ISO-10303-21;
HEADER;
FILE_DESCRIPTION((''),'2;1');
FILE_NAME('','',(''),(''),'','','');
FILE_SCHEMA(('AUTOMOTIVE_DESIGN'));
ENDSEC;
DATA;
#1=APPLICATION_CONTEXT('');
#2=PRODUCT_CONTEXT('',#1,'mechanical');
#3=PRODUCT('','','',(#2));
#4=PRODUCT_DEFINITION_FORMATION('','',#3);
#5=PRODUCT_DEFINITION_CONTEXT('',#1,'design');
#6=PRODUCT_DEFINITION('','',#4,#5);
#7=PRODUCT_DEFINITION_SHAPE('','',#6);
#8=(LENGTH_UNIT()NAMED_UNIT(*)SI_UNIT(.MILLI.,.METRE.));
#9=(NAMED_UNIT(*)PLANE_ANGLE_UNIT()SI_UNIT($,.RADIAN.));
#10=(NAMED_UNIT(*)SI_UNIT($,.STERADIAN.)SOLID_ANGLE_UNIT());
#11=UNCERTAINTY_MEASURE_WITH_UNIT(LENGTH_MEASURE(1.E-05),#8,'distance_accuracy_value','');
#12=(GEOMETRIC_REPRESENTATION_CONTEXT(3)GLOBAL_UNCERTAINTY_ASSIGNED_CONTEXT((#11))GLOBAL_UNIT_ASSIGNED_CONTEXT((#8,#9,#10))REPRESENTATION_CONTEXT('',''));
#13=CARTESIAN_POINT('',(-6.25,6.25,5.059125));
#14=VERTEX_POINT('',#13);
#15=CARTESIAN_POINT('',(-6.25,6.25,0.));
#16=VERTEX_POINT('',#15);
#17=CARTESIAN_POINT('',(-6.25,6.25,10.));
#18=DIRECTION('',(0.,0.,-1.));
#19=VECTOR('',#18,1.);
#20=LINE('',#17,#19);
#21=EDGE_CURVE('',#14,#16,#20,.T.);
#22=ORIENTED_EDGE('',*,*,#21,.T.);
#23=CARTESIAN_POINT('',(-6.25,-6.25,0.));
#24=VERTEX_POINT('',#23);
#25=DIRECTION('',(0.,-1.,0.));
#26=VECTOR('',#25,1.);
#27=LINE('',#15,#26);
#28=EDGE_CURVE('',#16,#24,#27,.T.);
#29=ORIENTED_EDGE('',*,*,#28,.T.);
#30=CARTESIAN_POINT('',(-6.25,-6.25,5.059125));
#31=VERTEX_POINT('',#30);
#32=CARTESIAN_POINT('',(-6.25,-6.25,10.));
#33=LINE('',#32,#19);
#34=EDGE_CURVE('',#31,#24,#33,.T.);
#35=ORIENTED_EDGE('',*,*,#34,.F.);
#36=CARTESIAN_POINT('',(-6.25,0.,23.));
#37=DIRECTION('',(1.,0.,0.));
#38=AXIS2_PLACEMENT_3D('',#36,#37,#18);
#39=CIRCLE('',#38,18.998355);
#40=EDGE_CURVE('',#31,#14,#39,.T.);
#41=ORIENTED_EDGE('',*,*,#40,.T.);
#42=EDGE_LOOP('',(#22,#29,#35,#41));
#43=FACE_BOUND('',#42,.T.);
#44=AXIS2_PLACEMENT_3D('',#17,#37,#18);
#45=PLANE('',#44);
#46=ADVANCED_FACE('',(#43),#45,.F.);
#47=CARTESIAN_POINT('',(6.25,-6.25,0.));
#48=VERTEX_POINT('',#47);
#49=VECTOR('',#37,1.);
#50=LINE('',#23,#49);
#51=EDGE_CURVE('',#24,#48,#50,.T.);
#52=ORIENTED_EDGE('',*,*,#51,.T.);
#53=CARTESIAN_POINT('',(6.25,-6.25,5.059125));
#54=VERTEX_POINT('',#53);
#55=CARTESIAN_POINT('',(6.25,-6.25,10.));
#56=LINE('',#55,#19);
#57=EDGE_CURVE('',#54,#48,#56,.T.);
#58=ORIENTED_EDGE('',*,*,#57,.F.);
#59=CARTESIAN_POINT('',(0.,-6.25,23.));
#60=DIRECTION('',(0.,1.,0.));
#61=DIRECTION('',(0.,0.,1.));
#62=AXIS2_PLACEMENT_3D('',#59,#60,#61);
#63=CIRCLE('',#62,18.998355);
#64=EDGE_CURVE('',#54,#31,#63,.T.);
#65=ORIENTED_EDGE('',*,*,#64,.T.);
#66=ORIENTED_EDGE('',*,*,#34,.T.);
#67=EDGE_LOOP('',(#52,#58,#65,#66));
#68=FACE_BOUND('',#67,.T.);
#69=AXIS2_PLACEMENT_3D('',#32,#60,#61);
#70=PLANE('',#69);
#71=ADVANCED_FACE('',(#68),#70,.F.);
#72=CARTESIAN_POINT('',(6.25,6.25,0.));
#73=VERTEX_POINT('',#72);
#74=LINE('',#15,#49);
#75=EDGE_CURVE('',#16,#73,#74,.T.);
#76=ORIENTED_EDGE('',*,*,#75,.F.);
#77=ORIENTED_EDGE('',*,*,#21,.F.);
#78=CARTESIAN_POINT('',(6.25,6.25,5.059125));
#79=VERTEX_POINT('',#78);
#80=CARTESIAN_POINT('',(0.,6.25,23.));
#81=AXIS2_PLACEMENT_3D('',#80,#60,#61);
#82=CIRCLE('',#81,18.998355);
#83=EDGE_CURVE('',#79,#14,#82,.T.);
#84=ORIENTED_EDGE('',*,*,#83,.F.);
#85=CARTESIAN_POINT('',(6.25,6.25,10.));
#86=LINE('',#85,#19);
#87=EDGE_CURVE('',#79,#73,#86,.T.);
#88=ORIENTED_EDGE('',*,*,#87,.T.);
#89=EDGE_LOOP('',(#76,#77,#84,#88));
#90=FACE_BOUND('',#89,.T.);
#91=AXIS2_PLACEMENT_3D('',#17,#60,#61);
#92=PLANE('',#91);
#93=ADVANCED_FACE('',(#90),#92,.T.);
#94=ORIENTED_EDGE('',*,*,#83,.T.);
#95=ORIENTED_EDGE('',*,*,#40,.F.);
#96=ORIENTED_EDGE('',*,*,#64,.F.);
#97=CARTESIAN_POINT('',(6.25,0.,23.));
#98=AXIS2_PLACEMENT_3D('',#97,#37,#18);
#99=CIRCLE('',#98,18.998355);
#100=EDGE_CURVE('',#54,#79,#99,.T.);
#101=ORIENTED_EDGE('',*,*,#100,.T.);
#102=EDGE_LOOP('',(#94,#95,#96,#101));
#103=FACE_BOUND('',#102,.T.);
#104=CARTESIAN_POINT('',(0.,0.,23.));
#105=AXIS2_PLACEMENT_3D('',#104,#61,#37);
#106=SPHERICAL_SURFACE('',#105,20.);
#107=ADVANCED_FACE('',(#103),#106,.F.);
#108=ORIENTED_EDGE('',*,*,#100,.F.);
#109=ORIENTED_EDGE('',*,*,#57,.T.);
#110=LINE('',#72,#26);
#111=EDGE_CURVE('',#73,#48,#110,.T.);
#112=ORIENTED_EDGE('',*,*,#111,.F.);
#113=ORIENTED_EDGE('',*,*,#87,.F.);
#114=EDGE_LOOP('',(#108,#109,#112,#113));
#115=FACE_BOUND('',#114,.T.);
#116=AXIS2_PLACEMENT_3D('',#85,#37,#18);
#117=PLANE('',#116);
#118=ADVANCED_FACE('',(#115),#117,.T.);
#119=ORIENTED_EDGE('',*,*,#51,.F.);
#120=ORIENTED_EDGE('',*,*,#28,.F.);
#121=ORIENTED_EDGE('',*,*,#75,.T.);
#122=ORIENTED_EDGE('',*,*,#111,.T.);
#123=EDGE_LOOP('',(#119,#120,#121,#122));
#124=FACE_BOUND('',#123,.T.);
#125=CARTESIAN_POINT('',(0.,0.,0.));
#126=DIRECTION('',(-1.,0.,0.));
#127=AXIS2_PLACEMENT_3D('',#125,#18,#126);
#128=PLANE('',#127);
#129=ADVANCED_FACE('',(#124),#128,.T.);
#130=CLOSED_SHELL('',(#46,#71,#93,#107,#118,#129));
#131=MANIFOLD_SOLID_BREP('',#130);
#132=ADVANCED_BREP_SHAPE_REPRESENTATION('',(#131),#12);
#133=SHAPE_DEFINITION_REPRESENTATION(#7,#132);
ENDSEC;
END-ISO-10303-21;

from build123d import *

# Parameters (mm, degrees)
SKETCH_1_W      = 12.5
SKETCH_1_H      = 12.5
EXTRUDE_1_DEPTH = 10


with BuildPart() as part:
    # 草图1 → 凸台-拉伸1 (new body)
    with BuildSketch(Plane.XY):
        Rectangle(SKETCH_1_W, SKETCH_1_H)
    extrude(amount=EXTRUDE_1_DEPTH)

    # 草图2 → 切除-旋转2 (revolve, cut)
    with BuildSketch(Plane(origin=(0, 0, 0), x_dir=(1, 0, 0), z_dir=(0, 1, 0))):
        with BuildLine():
            Line((19.496909236, -18.542362707), (0, -18.542362707))
            Line((0, -18.542362707), (0, -3))
            ThreePointArc((0, -3), (12.466901262, -7.361062283), (19.496909236, -18.542362707))
        make_face()
    revolve(axis=Axis((0, 0, 18.542362707), (0, 0, -1)), mode=Mode.SUBTRACT)


solid = part.part
